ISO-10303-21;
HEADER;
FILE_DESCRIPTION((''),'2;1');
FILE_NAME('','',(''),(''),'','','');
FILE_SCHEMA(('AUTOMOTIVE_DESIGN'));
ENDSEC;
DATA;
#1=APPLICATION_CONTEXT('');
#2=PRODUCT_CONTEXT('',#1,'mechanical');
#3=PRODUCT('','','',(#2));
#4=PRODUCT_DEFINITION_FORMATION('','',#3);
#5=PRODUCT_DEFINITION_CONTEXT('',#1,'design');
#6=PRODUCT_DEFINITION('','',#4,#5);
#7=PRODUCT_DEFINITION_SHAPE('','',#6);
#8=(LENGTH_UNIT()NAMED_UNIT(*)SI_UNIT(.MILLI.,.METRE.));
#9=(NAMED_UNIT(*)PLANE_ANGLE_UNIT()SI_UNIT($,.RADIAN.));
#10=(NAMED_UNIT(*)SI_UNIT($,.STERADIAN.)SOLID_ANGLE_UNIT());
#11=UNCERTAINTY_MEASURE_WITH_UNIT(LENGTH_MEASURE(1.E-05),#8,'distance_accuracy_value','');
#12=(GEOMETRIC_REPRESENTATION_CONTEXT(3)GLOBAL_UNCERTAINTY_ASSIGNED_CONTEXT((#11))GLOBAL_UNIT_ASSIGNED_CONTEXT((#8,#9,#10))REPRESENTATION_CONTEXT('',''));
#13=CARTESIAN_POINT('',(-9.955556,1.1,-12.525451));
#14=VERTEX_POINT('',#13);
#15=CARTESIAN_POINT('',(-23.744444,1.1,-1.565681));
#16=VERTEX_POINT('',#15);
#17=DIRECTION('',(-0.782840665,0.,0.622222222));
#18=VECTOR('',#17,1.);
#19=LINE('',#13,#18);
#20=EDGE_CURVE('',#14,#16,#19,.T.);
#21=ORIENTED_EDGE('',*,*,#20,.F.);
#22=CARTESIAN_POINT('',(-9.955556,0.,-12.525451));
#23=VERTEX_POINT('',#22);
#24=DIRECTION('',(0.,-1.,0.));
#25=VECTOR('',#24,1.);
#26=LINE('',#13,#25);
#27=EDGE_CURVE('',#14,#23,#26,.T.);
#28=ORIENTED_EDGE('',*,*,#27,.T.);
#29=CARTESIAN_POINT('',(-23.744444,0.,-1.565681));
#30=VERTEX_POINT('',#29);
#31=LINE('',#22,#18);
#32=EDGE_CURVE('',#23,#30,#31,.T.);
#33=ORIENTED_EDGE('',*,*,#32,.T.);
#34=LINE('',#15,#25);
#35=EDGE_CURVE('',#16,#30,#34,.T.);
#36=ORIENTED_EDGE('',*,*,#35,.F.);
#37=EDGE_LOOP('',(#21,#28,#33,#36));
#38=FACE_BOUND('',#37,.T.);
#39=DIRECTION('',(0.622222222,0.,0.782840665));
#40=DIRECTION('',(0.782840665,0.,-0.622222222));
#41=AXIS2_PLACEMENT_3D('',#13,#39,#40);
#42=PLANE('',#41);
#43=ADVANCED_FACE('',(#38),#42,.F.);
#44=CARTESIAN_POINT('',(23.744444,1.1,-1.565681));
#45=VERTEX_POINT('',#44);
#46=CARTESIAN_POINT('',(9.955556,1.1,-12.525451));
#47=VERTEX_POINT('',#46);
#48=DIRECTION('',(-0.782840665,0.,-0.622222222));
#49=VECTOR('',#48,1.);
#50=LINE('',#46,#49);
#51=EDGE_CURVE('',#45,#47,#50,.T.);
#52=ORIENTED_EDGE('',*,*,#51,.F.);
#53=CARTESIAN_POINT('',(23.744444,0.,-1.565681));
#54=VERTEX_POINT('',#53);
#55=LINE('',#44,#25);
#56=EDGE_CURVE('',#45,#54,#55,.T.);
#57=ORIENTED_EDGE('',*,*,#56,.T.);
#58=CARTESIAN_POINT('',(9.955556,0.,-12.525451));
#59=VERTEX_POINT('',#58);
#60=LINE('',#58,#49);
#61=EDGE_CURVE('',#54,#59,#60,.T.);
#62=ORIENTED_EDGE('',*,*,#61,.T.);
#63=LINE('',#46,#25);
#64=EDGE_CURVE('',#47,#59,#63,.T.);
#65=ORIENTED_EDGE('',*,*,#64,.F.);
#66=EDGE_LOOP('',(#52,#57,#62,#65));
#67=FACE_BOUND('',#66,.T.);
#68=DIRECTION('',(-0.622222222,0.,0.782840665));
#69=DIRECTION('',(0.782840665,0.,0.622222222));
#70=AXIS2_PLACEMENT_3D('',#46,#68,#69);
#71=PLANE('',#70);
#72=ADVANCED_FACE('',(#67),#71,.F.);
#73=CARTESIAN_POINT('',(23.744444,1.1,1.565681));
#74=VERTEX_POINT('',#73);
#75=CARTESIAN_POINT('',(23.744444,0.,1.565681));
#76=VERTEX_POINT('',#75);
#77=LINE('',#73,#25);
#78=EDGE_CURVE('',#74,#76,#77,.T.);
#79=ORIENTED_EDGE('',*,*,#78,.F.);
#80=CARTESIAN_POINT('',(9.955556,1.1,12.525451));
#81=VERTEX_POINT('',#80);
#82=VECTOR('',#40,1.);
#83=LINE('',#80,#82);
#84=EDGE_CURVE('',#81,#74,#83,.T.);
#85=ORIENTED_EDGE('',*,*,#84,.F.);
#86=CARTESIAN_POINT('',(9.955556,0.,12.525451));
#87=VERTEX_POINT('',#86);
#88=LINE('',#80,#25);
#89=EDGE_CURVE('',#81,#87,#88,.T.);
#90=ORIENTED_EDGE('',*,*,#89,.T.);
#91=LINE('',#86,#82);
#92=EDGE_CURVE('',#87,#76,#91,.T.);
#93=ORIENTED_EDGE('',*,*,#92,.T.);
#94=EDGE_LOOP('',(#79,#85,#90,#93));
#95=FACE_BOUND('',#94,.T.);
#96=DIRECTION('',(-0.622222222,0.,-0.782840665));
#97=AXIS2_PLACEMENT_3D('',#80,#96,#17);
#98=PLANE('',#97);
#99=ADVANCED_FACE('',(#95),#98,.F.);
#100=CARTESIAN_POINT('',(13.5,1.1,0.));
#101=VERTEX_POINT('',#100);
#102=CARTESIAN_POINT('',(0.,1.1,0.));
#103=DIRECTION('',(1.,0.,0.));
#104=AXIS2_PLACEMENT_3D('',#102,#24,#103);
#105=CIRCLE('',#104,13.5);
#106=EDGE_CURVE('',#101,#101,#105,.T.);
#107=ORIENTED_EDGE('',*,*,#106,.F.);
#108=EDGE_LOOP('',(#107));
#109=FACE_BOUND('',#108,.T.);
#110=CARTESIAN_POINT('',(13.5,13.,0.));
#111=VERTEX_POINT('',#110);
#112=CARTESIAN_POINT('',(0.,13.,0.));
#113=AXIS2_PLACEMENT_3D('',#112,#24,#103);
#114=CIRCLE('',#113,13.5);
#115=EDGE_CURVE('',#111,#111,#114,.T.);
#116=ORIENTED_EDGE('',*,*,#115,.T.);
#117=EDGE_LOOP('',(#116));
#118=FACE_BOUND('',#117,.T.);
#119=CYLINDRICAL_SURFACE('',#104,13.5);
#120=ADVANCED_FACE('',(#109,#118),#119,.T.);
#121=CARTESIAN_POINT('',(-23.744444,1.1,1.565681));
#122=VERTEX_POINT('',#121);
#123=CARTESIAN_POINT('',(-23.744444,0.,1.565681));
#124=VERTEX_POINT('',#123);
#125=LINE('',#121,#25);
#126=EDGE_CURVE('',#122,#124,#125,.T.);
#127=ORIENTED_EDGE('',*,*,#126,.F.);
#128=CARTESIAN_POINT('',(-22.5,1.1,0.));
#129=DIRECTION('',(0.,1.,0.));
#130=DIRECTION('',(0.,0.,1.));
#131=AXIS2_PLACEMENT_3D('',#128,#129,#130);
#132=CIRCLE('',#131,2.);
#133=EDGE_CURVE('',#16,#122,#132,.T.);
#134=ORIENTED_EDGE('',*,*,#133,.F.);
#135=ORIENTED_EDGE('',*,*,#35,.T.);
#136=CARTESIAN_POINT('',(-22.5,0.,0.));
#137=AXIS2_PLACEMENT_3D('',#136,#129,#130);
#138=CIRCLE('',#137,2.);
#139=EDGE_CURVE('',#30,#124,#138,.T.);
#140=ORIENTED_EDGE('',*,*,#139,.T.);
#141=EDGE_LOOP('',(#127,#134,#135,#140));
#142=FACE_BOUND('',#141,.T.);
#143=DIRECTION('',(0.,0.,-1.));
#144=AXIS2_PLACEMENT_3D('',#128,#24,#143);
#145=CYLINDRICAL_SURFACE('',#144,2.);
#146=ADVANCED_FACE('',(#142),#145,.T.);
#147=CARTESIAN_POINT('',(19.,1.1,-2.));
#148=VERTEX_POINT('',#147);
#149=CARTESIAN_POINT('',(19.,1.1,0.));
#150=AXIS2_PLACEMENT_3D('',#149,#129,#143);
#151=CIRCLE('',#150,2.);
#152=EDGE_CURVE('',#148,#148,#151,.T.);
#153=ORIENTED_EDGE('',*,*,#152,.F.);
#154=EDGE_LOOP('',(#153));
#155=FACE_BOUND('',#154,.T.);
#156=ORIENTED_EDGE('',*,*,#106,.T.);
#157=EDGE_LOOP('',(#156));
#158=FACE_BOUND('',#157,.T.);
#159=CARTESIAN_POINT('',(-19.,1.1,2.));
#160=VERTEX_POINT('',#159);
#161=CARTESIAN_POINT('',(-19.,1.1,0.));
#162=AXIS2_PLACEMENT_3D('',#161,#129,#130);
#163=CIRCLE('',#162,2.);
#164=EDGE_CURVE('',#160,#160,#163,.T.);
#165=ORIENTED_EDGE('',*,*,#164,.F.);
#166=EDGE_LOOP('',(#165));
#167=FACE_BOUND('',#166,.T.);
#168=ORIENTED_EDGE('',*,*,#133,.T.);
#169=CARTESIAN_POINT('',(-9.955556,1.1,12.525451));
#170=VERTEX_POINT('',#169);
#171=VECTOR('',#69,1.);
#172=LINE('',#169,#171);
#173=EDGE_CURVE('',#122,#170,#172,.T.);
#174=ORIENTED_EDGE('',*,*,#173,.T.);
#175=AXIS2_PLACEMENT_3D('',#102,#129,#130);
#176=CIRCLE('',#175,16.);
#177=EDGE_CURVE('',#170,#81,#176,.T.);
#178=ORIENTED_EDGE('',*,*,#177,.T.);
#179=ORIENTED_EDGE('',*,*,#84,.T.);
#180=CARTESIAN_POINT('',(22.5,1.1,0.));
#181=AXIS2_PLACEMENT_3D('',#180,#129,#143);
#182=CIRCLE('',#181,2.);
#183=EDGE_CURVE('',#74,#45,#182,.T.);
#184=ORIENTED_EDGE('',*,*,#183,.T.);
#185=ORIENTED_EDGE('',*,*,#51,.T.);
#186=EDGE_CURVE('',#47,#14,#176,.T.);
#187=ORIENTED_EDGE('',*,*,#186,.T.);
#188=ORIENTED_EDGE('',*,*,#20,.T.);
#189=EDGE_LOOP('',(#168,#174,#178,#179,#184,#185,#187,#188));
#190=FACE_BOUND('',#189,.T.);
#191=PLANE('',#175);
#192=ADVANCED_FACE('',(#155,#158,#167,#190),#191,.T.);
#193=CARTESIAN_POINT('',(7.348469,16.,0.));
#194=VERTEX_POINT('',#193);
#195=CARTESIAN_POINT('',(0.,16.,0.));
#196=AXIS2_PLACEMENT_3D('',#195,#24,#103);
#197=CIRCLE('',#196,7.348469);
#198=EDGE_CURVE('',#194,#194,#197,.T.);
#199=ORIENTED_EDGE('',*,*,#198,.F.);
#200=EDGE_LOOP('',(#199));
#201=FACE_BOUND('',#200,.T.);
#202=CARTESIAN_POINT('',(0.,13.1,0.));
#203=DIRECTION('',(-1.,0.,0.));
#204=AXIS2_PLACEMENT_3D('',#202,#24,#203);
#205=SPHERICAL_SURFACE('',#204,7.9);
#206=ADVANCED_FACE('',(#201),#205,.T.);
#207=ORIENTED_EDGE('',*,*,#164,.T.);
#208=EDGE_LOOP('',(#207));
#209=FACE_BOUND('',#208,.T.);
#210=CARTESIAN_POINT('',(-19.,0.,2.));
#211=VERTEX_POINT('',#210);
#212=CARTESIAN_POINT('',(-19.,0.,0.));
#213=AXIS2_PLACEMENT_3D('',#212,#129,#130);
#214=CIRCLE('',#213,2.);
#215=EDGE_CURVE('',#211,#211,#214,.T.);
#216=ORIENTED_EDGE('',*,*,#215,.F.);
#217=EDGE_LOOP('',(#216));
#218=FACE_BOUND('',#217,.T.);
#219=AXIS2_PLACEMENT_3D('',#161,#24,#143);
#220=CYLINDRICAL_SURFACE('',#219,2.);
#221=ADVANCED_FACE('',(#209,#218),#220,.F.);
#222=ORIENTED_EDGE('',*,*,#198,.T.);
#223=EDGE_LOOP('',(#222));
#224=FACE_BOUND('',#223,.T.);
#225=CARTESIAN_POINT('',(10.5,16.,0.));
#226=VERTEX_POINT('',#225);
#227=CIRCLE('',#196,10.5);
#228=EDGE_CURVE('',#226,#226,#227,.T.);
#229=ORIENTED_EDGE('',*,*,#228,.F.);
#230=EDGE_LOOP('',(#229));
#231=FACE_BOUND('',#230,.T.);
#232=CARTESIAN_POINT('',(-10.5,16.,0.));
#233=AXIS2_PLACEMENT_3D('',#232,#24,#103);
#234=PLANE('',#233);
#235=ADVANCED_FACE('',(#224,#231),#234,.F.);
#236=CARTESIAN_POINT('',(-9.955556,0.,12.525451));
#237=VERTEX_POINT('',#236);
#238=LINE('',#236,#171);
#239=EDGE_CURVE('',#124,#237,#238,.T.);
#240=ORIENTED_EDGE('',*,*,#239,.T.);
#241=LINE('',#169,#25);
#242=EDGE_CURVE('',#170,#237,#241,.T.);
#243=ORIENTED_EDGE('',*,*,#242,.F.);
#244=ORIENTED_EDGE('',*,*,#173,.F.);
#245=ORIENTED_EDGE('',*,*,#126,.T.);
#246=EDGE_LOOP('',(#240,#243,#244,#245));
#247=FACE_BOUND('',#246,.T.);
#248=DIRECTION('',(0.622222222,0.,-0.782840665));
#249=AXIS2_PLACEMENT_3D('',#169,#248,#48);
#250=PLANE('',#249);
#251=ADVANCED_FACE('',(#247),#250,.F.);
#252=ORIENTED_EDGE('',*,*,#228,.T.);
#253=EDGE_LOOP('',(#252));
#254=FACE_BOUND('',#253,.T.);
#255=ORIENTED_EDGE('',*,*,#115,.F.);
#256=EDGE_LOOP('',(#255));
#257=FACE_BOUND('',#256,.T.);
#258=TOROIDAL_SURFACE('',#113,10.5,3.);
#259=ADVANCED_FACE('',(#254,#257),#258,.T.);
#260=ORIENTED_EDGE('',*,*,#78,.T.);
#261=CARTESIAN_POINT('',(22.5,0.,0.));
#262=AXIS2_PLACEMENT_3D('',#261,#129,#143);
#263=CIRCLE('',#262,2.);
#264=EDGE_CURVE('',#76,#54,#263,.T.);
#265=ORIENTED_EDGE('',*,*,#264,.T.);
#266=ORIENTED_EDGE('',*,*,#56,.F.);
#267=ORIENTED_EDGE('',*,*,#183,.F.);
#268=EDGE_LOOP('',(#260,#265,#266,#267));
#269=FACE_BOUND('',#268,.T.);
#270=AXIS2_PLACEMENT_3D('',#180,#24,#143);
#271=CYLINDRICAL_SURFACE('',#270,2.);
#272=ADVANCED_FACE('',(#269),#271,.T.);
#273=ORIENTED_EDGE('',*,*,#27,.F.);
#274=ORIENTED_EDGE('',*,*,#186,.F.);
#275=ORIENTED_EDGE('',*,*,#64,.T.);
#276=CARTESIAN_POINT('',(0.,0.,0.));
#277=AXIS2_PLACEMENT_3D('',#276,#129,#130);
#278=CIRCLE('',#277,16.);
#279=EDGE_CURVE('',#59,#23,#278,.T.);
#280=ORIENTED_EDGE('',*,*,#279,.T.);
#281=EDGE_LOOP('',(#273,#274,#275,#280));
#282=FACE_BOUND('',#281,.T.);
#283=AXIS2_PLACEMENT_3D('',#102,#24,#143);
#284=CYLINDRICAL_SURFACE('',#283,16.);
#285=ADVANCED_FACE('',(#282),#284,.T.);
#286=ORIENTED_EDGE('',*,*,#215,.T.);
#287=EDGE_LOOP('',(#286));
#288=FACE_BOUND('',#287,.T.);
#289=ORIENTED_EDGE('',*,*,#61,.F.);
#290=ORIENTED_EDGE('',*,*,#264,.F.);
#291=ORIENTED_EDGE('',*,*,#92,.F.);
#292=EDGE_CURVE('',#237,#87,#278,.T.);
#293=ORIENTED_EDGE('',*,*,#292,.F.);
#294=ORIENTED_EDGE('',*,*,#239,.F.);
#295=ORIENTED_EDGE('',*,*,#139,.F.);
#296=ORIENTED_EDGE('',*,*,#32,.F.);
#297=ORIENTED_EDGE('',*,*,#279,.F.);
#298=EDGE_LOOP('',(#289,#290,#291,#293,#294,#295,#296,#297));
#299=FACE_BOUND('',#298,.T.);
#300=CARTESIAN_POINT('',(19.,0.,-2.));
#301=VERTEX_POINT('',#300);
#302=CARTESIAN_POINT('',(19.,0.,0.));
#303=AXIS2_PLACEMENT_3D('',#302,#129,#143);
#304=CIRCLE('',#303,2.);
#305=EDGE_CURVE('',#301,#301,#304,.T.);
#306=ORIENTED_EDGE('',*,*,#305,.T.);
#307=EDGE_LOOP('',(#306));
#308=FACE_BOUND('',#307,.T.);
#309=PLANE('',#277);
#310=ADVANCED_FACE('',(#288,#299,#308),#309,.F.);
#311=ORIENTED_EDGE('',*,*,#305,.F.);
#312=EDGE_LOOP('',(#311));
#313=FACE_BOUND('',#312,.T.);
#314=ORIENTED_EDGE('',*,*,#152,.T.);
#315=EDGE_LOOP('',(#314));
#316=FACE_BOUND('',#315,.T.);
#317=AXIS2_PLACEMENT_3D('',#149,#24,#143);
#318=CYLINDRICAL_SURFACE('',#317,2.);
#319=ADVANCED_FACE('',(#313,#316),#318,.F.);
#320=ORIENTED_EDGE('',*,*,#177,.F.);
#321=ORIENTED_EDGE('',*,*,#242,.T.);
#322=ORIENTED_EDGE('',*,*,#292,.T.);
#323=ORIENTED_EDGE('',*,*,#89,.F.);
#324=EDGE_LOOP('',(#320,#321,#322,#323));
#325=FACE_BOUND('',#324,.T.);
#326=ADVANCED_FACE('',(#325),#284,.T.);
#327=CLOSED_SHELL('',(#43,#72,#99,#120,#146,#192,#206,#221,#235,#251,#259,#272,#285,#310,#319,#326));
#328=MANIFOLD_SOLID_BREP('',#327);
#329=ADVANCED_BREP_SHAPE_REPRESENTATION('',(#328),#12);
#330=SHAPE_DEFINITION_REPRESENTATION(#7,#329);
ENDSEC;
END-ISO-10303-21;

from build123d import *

# Parameters (mm, degrees)
SKETCH_1_R      = 2
EXTRUDE_1_DEPTH = 1.1


with BuildPart() as part:
    # 草图1 → 凸台-拉伸1 (new body)
    with BuildSketch(Plane(origin=(0, 0, 0), x_dir=(1, 0, 0), z_dir=(0, 1, 0))):
        with BuildLine():
            Line((-9.955555556, 12.525450634), (-23.744444444, 1.565681329))
            ThreePointArc((-23.744444444, 1.565681329), (-24.5, 0), (-23.744444444, -1.565681329))
            Line((-23.744444444, -1.565681329), (-9.955555556, -12.525450634))
            ThreePointArc((-9.955555556, -12.525450634), (0, -16), (9.955555556, -12.525450634))
            Line((9.955555556, -12.525450634), (23.744444444, -1.565681329))
            ThreePointArc((23.744444444, -1.565681329), (24.5, 0), (23.744444444, 1.565681329))
            Line((23.744444444, 1.565681329), (9.955555556, 12.525450634))
            ThreePointArc((9.955555556, 12.525450634), (0, 16), (-9.955555556, 12.525450634))
        make_face()
        with Locations((-19, 0)):
            Circle(SKETCH_1_R, mode=Mode.SUBTRACT)
        with Locations((19, 0)):
            Circle(SKETCH_1_R, mode=Mode.SUBTRACT)
    extrude(amount=EXTRUDE_1_DEPTH)

    # 草图2 → 旋转1 (revolve)
    with BuildSketch(Plane.XY):
        with BuildLine():
            Line((0, 1.1), (-13.5, 1.1))
            Line((-13.5, 1.1), (-13.5, 13))
            ThreePointArc((-13.5, 13), (-12.621320344, 15.121320344), (-10.5, 16))
            Line((-10.5, 16), (-7.348469228, 16))
            ThreePointArc((-7.348469228, 16), (-4.444097209, 19.631462317), (0, 21))
            Line((0, 21), (0, 1.1))
        make_face()
    revolve(axis=Axis((0, 1.1, 0), (0, 1, 0)))


solid = part.part
